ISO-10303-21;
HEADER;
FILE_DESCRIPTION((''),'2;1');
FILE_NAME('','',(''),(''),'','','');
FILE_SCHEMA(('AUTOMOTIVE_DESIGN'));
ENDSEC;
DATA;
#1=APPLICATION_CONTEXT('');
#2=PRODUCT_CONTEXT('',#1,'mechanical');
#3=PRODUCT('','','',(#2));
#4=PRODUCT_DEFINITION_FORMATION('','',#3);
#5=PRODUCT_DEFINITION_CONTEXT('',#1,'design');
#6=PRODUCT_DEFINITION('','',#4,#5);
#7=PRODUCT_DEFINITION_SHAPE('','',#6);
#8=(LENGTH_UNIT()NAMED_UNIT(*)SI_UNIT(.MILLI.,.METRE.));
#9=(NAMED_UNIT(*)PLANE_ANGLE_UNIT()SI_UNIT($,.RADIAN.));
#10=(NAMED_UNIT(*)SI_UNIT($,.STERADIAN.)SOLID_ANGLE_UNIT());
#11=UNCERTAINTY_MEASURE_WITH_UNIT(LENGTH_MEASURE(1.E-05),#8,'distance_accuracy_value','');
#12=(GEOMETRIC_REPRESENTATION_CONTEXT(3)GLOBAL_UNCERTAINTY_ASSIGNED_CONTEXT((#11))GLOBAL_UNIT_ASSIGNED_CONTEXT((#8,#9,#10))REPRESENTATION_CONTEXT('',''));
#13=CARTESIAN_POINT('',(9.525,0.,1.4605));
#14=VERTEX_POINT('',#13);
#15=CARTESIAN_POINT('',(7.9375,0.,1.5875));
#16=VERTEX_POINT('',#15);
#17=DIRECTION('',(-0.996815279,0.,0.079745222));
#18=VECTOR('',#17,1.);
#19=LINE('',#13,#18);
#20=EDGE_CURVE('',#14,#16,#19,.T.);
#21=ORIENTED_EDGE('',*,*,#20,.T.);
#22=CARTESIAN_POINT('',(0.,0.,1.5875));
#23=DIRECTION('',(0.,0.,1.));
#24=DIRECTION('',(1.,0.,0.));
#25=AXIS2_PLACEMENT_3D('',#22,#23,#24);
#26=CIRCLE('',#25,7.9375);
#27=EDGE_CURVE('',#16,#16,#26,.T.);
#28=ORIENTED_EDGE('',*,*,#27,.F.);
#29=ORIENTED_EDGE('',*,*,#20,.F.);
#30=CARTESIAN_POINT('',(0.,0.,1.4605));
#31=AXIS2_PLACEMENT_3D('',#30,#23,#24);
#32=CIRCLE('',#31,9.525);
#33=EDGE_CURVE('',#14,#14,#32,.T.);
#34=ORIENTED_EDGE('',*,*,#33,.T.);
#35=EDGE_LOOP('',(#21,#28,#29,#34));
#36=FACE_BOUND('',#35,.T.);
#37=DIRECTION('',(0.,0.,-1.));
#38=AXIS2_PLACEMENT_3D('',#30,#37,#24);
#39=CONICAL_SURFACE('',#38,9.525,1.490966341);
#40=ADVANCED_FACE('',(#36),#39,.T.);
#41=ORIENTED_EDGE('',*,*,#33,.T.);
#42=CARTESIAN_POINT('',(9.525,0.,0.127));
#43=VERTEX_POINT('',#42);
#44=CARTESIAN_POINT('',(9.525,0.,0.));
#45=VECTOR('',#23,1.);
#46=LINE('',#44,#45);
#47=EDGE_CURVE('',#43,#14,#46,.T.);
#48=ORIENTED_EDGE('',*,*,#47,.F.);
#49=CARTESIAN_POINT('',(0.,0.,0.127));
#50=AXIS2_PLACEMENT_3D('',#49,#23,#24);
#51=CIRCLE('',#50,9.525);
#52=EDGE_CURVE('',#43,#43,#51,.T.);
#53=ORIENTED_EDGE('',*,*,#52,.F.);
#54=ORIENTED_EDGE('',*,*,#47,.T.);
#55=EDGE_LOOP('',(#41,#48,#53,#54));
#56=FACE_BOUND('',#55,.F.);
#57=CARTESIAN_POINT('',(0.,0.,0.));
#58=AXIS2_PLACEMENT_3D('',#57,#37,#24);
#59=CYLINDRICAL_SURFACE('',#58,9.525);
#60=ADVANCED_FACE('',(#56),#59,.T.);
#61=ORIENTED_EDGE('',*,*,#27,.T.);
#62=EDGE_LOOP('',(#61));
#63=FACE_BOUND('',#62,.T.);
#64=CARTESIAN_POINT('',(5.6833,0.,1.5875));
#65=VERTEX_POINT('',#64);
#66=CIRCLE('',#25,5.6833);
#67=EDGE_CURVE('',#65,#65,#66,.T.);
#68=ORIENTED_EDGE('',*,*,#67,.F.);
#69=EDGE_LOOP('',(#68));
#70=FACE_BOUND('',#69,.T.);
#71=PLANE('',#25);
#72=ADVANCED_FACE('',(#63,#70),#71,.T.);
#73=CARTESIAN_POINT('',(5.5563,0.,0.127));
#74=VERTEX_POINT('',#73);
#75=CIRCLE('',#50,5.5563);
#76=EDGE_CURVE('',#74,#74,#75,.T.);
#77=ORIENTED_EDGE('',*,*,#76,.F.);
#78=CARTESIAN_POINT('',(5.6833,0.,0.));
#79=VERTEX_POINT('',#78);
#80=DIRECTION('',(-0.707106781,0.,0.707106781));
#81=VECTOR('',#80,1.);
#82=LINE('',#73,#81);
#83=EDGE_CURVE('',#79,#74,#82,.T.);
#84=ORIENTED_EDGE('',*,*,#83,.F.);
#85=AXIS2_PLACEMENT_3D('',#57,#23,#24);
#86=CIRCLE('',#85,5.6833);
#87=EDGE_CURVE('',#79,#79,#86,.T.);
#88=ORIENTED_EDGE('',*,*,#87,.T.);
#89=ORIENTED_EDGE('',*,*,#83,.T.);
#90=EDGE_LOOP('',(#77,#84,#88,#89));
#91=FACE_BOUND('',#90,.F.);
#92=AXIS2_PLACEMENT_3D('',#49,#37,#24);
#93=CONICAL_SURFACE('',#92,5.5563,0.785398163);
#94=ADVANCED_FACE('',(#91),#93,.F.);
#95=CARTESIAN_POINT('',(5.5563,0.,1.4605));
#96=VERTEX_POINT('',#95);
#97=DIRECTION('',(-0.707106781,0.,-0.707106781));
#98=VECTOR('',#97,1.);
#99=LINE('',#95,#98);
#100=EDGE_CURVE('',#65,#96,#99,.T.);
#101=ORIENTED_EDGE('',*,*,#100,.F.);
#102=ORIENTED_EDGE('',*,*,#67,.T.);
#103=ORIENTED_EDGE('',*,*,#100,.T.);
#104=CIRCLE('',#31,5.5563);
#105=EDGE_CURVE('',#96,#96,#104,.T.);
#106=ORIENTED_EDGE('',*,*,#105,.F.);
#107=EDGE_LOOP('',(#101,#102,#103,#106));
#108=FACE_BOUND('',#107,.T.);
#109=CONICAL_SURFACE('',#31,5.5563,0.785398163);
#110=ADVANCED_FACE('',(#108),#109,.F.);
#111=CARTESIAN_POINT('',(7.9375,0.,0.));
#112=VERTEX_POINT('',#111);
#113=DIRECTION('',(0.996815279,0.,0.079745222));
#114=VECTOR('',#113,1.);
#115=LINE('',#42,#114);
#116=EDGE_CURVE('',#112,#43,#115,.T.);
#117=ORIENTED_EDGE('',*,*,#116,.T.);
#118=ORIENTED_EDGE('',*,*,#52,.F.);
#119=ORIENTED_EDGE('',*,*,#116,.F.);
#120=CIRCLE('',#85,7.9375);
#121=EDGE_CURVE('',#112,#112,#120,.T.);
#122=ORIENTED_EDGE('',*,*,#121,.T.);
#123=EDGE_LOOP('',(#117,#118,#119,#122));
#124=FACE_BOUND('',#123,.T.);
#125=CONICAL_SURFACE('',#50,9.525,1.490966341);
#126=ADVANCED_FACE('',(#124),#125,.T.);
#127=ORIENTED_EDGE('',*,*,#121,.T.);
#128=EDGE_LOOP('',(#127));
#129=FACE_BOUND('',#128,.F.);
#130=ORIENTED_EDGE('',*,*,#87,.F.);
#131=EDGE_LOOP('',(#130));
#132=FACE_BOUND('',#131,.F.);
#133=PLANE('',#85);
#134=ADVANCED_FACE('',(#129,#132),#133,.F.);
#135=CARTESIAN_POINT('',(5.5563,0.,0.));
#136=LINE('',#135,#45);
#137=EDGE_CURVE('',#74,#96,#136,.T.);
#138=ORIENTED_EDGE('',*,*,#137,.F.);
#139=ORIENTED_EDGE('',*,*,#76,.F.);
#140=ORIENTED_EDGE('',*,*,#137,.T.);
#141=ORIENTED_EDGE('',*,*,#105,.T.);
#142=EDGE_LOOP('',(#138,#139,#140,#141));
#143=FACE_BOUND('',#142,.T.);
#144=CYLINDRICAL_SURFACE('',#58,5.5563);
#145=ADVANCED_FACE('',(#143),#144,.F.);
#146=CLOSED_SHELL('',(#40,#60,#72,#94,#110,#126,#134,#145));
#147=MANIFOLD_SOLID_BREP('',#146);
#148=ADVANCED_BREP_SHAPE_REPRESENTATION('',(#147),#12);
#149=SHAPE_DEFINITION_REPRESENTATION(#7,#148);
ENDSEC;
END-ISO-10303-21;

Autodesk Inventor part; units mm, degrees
ref_plane "YZ Plane" through (0, 0, 0) normal (1, 0, 0) x (0, 1, 0)
ref_plane "XZ Plane" through (0, 0, 0) normal (0, 1, 0) x (-1, 0, 0)
ref_plane "XY Plane" through (0, 0, 0) normal (0, 0, 1) x (1, 0, 0)
sketch "Sketch1" plane through (0, 0, 0) normal (0, 0, 1) x (1, 0, 0)
  circle A0 centre (0, 0) radius 5.5563
  circle A1 centre (0, 0) radius 9.525
  dimension "d0" = 11.1125
extrude "Extrusion1" add sketch "Sketch1" along normal blind 1.5875
chamfer "Chamfer1" distance 0.127 distance2 1.5875 1 edges at (-9.525, 0, 1.5875) measured on face at (9.4941, -0.7664, 1.0583)
chamfer "Chamfer2" distance 1.5875 distance2 0.127 1 edges at (-9.525, 0, 0) measured on face at (8.1098, -0.7598, 0)
chamfer "Chamfer3" distance 0.127 angle 45 2 edges at (-5.5563, 0, 0) (-5.5563, 0, 1.5875)
properties part number "trim washer" material "Stainless Steel"
